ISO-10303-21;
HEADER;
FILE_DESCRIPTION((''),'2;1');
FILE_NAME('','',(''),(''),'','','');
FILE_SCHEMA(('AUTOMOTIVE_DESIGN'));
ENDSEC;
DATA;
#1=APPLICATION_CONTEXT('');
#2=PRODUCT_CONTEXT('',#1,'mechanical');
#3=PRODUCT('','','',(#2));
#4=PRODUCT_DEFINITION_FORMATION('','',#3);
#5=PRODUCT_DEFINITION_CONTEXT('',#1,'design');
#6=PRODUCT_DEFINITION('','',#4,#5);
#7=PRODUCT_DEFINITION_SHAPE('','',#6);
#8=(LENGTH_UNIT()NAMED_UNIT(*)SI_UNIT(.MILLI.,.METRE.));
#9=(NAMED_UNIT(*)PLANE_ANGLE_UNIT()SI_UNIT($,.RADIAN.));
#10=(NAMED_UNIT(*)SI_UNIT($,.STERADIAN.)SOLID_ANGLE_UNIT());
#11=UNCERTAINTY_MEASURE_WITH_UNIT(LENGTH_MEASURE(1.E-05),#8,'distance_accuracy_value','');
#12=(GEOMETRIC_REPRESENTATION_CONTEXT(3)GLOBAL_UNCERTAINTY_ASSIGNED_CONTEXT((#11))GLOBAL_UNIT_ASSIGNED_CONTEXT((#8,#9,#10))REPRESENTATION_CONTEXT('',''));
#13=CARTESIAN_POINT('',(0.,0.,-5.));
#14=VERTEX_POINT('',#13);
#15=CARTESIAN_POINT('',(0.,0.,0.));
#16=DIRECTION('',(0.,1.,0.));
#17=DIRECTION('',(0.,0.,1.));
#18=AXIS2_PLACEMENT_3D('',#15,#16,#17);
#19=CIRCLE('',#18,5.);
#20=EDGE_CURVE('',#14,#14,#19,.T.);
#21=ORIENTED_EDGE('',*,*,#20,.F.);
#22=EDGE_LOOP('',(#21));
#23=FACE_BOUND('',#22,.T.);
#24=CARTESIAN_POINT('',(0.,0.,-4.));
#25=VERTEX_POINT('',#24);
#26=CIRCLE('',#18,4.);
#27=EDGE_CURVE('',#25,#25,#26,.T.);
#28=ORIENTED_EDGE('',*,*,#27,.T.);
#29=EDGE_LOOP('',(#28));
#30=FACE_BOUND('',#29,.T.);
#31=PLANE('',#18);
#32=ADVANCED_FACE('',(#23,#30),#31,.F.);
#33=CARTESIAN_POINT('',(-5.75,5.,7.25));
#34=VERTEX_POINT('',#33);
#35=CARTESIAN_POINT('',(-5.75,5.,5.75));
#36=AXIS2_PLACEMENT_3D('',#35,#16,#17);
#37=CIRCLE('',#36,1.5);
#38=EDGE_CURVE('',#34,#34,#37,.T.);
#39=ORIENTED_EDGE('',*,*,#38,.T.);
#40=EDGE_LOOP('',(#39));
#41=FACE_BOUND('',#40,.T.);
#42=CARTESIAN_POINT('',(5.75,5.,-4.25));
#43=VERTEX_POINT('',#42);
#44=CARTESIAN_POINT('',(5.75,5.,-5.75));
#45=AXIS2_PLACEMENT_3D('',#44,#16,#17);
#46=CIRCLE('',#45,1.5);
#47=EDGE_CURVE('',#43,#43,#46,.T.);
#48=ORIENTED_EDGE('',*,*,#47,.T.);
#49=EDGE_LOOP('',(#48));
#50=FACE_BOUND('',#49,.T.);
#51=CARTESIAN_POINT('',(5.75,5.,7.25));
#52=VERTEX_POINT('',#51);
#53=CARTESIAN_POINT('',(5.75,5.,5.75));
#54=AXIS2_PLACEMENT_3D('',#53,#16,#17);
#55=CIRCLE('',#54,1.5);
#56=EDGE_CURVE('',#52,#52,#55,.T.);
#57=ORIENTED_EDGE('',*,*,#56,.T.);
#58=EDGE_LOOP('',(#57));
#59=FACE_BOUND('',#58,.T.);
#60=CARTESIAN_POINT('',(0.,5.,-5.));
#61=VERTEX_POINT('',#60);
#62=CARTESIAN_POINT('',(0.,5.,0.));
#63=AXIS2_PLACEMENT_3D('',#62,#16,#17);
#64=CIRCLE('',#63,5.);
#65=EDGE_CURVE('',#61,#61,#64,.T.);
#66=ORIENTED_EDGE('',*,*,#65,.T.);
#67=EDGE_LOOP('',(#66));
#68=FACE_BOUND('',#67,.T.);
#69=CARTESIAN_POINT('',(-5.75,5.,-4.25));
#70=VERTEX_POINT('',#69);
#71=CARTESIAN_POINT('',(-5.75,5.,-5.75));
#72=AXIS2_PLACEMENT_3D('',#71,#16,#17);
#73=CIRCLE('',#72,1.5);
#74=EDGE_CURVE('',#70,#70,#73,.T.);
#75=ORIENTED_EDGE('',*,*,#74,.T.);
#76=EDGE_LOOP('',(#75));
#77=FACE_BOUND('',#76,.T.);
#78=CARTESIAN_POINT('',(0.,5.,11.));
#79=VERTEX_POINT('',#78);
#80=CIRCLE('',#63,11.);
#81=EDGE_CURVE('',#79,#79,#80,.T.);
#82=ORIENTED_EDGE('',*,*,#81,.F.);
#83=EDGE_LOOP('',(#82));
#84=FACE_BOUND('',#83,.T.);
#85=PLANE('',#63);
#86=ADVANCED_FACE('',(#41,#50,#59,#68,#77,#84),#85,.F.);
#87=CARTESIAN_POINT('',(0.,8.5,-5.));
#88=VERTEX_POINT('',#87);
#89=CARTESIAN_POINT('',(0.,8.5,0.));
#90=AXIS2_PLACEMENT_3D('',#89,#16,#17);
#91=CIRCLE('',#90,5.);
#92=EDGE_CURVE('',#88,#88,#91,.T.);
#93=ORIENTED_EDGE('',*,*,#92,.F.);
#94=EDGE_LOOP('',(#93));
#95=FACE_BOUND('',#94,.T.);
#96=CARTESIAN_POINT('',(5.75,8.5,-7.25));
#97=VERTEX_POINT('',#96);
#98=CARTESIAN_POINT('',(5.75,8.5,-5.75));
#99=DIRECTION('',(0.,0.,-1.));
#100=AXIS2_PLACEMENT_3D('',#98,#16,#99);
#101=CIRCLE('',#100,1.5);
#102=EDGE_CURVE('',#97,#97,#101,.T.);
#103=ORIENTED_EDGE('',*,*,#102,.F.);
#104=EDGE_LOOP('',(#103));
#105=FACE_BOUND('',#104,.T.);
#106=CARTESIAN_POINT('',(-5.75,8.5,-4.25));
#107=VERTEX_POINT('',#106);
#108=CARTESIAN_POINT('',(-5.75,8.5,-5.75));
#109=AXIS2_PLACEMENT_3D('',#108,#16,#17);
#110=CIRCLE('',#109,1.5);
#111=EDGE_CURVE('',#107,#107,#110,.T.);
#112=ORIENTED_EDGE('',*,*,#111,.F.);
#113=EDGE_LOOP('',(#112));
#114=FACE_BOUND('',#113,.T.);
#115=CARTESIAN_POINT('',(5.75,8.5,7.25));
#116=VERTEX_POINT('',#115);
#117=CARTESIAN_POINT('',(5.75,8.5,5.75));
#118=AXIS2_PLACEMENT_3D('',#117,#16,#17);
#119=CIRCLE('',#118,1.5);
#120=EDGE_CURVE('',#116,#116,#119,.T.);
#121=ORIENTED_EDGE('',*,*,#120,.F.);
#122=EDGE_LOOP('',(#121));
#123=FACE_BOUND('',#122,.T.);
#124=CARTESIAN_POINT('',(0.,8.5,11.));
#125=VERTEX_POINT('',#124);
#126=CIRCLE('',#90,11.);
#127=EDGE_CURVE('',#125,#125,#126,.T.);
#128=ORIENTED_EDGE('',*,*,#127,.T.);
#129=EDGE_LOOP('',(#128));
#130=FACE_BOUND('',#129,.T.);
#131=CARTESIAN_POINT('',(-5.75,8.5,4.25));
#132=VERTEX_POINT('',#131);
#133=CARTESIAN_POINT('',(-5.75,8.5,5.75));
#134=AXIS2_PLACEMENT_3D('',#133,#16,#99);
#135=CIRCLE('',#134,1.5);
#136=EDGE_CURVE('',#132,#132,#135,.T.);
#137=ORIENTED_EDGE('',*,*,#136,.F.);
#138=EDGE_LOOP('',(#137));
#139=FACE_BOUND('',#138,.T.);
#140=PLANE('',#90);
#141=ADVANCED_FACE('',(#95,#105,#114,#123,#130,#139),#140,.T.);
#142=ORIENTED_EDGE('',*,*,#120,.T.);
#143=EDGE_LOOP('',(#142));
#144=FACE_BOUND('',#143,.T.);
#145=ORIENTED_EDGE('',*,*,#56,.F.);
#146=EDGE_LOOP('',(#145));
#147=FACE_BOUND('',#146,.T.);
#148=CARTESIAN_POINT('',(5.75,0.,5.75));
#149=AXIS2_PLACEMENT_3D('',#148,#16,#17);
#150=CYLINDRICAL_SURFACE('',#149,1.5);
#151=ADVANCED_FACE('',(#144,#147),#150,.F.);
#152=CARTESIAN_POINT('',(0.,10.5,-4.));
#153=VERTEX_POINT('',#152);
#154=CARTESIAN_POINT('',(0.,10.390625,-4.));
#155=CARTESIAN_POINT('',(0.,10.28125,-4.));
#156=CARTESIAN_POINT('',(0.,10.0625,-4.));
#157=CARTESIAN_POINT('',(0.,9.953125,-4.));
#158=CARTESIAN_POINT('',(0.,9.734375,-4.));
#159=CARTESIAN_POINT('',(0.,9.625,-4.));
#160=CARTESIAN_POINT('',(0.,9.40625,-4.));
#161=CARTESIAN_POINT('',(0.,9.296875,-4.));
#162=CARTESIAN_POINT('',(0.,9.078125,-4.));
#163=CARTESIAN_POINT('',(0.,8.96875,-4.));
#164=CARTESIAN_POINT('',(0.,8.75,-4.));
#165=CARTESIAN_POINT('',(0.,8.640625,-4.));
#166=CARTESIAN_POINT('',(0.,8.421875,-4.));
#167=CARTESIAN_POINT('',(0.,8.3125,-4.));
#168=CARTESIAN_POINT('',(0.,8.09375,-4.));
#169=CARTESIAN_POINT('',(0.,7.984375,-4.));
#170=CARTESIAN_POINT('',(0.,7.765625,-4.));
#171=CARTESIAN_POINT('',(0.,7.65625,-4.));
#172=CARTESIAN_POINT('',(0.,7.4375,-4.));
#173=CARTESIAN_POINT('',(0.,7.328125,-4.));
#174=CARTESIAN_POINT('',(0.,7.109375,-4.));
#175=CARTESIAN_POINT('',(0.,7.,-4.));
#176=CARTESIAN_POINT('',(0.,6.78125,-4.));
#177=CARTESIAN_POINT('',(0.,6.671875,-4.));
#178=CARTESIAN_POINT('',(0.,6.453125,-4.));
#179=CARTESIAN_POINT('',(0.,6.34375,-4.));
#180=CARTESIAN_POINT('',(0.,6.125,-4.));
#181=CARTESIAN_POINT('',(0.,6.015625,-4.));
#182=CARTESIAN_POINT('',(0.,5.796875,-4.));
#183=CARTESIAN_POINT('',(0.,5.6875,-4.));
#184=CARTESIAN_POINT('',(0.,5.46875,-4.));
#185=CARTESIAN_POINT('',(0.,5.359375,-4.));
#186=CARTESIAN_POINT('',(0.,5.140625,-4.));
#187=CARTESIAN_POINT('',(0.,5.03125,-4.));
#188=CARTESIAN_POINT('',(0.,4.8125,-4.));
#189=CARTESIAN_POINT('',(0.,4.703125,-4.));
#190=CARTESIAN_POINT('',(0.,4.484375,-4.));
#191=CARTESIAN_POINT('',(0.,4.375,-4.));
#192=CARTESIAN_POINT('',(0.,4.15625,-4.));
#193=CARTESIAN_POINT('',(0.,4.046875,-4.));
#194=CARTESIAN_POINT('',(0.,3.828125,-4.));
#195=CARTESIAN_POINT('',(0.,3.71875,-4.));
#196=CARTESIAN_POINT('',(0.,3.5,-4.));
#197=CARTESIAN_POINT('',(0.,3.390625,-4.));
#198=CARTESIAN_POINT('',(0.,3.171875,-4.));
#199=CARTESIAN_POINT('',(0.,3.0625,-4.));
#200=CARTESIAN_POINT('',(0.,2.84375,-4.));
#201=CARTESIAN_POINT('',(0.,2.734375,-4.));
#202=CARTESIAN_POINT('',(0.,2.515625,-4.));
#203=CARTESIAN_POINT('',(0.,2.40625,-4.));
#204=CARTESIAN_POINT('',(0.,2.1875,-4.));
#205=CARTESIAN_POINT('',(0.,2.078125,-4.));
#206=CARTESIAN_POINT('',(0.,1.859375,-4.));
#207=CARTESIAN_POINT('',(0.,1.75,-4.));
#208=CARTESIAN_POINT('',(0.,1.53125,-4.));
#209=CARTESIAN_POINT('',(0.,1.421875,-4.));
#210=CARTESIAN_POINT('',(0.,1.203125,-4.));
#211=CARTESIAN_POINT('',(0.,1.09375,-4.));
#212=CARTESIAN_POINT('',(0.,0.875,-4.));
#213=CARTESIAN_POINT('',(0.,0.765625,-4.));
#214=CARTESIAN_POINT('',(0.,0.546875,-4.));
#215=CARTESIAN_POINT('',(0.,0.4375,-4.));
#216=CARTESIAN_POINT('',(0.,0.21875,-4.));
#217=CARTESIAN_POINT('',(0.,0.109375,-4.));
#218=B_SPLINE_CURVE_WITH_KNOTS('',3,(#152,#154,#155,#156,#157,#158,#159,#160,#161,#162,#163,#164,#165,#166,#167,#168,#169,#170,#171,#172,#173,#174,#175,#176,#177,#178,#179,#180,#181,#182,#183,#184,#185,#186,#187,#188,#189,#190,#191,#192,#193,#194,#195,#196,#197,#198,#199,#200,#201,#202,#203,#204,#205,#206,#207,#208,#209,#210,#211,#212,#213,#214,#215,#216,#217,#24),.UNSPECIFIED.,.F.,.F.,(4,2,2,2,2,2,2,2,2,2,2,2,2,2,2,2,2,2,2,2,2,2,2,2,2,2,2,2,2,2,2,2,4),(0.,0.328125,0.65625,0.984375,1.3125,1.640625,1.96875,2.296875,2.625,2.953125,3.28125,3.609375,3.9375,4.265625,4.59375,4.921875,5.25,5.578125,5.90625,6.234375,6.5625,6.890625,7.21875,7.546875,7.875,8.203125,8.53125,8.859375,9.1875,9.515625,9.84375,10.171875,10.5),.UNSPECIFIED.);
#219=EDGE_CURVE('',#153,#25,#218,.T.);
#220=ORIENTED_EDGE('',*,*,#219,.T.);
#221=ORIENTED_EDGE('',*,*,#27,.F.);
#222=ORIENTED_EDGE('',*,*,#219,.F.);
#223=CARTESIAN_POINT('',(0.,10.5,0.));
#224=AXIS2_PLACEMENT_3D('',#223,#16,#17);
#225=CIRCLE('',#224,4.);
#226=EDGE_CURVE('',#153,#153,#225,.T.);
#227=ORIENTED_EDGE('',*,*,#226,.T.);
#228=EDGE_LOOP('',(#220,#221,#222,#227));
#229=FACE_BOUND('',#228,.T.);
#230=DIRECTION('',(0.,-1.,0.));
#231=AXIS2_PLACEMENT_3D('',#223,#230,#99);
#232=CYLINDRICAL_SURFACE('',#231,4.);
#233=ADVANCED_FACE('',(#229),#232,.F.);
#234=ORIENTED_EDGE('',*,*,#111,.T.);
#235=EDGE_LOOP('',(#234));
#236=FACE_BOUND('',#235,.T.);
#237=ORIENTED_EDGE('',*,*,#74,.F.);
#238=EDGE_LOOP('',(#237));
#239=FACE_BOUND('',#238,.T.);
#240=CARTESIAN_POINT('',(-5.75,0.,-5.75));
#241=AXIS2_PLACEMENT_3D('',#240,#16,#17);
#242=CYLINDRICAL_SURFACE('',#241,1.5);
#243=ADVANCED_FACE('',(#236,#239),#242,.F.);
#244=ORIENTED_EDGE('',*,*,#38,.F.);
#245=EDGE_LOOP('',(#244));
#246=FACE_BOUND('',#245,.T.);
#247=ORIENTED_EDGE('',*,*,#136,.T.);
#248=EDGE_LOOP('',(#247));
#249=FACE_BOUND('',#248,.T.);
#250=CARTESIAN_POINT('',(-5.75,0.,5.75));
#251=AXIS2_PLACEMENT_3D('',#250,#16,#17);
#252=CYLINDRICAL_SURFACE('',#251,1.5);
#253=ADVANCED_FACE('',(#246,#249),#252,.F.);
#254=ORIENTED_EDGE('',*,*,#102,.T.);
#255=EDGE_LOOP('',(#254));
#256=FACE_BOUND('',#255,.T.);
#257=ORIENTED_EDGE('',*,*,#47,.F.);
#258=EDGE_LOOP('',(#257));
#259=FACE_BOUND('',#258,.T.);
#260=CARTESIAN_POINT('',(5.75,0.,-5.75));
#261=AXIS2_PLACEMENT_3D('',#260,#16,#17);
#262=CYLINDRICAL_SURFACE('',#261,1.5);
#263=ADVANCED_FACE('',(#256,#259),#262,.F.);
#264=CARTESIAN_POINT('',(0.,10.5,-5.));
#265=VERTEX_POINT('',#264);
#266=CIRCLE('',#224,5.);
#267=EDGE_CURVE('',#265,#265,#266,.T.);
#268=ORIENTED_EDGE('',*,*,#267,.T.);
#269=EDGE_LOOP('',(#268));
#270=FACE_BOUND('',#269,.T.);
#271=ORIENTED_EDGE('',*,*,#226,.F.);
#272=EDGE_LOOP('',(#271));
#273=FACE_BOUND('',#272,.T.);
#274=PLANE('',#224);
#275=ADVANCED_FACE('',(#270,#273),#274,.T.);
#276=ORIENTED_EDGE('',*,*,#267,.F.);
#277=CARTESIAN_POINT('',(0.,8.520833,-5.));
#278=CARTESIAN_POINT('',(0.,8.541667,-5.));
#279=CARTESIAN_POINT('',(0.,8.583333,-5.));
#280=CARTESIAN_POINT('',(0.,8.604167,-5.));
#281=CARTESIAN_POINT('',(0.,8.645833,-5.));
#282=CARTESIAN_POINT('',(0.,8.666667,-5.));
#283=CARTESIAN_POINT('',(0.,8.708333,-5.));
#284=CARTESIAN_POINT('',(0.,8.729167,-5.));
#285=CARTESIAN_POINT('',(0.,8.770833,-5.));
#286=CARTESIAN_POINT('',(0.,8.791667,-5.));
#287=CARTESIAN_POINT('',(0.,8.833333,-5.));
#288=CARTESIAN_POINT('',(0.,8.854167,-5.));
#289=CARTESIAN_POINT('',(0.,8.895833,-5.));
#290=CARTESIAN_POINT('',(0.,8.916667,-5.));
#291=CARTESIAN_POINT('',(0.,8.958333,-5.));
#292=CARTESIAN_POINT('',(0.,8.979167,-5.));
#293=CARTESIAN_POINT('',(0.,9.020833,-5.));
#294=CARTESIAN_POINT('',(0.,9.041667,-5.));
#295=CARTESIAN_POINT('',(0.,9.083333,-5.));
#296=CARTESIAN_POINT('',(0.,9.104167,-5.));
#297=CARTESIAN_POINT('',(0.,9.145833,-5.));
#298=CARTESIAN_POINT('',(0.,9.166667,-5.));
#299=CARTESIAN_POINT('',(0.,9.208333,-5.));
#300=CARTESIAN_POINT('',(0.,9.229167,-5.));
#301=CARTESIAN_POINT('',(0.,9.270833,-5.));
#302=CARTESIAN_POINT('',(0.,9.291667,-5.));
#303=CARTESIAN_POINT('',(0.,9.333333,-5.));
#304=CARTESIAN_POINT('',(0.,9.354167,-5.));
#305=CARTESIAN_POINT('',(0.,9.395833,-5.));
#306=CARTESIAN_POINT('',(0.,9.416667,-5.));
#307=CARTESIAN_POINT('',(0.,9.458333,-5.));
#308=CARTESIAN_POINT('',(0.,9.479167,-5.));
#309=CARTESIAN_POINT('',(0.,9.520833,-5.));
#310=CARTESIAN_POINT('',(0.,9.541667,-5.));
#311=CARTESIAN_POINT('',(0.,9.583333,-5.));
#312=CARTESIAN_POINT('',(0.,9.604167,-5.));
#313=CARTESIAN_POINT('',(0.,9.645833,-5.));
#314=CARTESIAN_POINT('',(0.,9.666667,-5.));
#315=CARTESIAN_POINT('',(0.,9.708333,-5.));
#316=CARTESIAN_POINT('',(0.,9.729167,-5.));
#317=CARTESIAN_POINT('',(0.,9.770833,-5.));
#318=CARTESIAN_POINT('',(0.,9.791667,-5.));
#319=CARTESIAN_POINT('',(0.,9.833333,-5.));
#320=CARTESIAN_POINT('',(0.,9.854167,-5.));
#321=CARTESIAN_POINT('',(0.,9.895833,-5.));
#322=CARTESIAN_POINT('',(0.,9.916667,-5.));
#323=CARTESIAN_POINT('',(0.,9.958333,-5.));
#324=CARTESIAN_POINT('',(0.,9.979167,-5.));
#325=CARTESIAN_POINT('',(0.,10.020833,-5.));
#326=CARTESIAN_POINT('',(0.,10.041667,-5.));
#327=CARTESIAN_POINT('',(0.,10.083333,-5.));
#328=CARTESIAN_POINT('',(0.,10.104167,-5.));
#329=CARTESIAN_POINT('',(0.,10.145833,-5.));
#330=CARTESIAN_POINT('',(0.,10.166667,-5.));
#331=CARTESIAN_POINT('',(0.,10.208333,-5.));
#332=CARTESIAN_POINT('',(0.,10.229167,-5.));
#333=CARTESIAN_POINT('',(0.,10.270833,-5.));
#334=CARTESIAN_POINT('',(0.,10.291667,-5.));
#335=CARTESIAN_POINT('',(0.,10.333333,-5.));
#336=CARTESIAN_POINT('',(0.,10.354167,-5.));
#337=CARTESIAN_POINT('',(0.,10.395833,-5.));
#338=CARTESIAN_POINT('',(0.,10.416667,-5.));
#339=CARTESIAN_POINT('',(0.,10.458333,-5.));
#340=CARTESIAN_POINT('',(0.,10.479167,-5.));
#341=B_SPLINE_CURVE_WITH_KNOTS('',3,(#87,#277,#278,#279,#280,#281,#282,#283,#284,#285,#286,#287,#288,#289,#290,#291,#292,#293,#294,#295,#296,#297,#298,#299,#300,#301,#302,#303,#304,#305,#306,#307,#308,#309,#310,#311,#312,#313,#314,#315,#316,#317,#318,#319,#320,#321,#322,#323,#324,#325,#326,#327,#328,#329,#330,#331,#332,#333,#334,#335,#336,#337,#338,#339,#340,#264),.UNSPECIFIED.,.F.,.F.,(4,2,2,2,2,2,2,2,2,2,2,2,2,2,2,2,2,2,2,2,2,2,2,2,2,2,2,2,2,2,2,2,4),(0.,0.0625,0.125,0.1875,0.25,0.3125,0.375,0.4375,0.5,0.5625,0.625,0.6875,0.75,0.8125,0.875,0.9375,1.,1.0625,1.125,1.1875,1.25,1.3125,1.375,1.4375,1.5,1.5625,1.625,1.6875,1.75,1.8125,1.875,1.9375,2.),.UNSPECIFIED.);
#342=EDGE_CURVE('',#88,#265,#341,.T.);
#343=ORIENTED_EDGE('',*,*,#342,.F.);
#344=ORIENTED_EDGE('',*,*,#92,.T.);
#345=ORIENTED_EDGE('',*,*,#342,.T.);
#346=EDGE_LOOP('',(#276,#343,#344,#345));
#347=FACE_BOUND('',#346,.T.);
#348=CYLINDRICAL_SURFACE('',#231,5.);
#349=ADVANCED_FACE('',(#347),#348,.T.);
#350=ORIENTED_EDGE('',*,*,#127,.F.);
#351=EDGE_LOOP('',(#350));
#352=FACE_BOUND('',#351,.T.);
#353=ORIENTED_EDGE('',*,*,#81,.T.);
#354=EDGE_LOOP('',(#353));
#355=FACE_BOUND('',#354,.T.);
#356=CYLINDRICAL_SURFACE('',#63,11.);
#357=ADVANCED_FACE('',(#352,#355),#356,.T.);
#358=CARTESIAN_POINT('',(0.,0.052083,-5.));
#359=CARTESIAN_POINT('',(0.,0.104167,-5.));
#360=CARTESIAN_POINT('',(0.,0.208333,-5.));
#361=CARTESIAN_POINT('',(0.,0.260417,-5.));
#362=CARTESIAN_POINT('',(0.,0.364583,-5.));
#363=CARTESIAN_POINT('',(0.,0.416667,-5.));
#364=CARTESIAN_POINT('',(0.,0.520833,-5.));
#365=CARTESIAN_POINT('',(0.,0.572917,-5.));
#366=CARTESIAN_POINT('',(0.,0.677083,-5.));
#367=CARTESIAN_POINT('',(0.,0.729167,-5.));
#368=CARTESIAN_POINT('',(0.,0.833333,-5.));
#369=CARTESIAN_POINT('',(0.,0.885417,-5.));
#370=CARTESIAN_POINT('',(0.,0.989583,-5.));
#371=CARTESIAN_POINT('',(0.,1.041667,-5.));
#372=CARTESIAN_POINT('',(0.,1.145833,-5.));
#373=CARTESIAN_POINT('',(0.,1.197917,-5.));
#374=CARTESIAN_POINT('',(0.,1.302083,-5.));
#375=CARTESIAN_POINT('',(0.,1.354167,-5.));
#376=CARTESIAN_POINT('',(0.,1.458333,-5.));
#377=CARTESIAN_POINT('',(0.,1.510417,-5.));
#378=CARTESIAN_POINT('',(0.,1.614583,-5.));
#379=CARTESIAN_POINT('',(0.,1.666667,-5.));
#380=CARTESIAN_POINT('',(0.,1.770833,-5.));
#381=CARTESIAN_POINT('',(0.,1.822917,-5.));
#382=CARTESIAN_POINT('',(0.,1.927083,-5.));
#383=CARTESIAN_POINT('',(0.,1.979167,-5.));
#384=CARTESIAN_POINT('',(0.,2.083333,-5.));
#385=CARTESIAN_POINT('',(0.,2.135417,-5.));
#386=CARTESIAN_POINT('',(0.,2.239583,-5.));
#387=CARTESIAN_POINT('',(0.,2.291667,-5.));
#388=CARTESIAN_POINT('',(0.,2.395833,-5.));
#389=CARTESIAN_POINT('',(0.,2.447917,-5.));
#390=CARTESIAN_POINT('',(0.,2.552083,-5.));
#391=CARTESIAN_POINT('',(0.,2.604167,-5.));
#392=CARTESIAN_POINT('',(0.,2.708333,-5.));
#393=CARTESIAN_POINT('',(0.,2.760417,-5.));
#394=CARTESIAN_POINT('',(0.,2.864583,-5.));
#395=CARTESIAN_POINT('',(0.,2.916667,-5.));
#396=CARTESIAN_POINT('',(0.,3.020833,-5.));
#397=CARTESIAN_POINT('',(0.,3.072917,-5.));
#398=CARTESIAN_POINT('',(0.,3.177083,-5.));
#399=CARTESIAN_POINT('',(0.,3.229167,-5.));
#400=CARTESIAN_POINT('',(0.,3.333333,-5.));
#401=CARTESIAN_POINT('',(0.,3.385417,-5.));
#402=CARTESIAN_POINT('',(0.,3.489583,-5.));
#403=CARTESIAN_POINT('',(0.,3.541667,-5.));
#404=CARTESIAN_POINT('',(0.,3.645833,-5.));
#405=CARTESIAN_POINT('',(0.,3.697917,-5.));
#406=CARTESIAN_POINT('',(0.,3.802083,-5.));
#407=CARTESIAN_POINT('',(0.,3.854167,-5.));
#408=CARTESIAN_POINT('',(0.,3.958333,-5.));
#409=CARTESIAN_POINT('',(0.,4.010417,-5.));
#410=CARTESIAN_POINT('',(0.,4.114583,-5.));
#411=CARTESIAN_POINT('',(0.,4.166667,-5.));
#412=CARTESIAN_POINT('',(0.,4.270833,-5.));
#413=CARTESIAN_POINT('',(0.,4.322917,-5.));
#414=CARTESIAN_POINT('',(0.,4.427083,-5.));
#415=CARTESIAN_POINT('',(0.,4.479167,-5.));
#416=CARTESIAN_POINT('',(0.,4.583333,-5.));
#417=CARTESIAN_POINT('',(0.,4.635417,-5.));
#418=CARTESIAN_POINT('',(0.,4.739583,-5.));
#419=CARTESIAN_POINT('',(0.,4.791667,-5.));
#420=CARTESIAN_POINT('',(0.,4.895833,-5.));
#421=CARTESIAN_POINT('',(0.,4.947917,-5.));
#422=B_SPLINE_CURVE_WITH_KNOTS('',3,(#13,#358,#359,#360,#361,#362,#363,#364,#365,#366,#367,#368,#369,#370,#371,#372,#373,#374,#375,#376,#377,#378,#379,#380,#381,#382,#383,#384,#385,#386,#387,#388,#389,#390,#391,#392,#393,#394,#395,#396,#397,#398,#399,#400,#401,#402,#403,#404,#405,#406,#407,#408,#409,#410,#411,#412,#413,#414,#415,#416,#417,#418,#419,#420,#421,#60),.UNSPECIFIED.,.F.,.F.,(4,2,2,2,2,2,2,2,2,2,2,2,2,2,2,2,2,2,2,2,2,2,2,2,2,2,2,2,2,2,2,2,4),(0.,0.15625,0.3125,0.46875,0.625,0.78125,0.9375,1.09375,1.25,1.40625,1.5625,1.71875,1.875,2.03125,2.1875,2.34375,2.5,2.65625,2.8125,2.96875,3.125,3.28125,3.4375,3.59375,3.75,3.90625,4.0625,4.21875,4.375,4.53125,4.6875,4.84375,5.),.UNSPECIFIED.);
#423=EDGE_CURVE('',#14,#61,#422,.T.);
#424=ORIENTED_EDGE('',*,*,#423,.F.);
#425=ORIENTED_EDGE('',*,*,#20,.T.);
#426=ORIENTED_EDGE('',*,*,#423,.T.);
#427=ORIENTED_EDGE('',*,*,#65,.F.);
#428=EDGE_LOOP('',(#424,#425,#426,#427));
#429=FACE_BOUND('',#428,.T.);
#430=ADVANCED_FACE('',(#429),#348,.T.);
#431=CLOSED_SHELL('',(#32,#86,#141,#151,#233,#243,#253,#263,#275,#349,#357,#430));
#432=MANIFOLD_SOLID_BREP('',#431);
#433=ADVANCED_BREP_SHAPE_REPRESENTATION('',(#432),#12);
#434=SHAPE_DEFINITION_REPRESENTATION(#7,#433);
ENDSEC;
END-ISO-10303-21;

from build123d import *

# Parameters (mm, degrees)
SKETCH1_R           = 5
SKETCH1_R_2         = 4
BOSS_EXTRUDE1_DEPTH = 10.5
BOSS_EXTRUDE2_START = -2
SKETCH2_R           = 11
SKETCH2_R_2         = 4.5
BOSS_EXTRUDE2_DEPTH = 3.5
SKETCH3_R           = 1.5
CUT_EXTRUDE1_DEPTH  = 18.727097901


with BuildPart() as part:
    # Sketch1 → Boss-Extrude1 (new body)
    with BuildSketch(Plane(origin=(0, 0, 0), x_dir=(1, 0, 0), z_dir=(0, 1, 0))):
        with Locations(Location((0, 0, 0), (0, 0, 90))):
            Circle(SKETCH1_R)
        with Locations(Location((0, 0, 0), (0, 0, 90))):
            Circle(SKETCH1_R_2, mode=Mode.SUBTRACT)
    extrude(amount=BOSS_EXTRUDE1_DEPTH)

    # Sketch2 → Boss-Extrude2 (add)
    with BuildSketch(Plane(origin=(0, 10.5, 0), x_dir=(1, 0, 0), z_dir=(0, 1, 0)).offset(BOSS_EXTRUDE2_START)):
        with Locations(Location((0, 0, 0), (0, 0, 270))):
            Circle(SKETCH2_R)
        Circle(SKETCH2_R_2, mode=Mode.SUBTRACT)
    extrude(amount=-BOSS_EXTRUDE2_DEPTH)

    # Sketch3 → Cut-Extrude1 (cut, through all)
    with BuildSketch(Plane(origin=(0, 8.5, 0), x_dir=(1, 0, 0), z_dir=(0, 1, 0))):
        with Locations(Location((-5.75, 5.75, 0), (0, 0, 270))):
            Circle(SKETCH3_R)
        with Locations(Location((5.75, 5.75, 0), (0, 0, 270))):
            Circle(SKETCH3_R)
        with Locations(Location((5.75, -5.75, 0), (0, 0, 270))):
            Circle(SKETCH3_R)
        with Locations(Location((-5.75, -5.75, 0), (0, 0, 270))):
            Circle(SKETCH3_R)
    extrude(amount=-CUT_EXTRUDE1_DEPTH, mode=Mode.SUBTRACT)


solid = part.part
